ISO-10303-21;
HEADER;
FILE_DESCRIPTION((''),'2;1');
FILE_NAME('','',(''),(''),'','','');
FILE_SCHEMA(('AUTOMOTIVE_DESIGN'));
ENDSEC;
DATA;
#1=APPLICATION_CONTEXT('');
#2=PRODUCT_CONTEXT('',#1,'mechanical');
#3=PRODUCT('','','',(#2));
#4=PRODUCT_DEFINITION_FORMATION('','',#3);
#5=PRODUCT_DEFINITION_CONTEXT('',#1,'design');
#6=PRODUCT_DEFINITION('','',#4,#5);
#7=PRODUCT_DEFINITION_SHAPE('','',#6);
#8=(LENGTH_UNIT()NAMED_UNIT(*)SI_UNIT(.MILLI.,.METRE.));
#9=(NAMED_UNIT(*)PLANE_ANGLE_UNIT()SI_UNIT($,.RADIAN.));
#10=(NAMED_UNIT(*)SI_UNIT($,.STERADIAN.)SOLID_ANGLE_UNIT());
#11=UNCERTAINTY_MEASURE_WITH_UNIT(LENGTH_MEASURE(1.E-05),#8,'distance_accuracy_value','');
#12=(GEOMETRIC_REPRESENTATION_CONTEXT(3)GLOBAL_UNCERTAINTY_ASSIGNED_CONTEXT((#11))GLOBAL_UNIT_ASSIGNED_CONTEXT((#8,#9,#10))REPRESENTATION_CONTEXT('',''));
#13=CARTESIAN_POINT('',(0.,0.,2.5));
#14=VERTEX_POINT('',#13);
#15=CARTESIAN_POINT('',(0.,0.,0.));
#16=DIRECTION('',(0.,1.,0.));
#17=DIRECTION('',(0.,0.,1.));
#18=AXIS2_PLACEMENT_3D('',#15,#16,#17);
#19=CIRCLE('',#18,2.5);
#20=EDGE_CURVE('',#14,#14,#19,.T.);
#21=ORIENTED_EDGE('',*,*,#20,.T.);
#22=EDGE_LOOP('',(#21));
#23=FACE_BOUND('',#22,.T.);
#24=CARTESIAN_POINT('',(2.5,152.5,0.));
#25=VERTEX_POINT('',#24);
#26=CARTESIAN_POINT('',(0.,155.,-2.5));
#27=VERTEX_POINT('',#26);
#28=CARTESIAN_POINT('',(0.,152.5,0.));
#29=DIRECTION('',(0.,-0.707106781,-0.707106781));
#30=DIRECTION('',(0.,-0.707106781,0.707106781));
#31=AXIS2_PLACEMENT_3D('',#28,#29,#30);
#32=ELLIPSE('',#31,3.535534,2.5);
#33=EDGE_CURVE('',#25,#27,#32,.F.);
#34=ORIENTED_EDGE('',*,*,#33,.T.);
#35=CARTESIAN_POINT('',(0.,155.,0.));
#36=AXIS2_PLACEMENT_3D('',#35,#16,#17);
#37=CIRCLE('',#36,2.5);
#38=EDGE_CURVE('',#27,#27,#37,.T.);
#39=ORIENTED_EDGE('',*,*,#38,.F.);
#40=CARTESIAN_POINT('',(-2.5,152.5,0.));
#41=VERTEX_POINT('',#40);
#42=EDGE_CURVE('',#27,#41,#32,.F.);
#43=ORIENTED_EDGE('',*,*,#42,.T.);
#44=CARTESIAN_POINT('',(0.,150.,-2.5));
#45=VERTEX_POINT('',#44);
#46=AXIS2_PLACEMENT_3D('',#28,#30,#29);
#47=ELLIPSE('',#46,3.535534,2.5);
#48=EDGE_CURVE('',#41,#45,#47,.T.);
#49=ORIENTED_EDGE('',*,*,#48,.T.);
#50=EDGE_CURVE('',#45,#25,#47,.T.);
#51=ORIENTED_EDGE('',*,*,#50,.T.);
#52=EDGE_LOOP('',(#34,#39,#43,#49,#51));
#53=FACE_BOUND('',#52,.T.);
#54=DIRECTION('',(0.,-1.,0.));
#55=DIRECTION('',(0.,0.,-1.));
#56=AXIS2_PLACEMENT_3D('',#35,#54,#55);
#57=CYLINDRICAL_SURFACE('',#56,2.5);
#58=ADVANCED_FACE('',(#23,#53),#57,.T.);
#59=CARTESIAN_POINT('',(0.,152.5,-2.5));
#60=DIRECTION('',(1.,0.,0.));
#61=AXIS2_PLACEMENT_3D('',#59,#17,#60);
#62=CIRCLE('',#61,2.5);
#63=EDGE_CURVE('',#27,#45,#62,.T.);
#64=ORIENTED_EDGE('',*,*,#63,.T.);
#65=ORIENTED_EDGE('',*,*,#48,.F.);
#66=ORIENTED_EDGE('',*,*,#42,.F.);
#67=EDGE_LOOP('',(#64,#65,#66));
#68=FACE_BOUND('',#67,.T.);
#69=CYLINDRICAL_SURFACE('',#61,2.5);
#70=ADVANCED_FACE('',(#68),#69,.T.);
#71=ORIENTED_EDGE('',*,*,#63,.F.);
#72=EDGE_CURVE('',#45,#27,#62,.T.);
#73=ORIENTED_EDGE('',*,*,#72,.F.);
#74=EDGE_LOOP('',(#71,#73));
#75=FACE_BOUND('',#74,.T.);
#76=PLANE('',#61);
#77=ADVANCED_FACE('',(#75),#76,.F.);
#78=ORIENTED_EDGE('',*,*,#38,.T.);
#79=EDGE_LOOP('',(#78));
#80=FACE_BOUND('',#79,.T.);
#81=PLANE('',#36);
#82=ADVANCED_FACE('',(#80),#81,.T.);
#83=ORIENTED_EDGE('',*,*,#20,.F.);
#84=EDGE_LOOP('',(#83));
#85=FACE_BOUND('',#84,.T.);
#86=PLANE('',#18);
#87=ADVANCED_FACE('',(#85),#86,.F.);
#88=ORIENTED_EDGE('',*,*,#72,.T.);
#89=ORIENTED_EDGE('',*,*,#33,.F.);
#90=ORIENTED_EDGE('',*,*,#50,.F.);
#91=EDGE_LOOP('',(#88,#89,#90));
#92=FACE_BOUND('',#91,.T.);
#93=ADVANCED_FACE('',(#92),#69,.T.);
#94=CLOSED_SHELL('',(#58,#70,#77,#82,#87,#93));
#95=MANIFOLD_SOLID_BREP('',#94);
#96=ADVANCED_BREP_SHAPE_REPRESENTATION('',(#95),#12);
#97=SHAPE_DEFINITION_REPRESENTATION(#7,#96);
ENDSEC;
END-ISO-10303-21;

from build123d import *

# Parameters (mm, degrees)
SKETCH_1_R      = 2.5
EXTRUDE_1_DEPTH = 155
SKETCH_2_R      = 2.5
EXTRUDE_2_DEPTH = 2.5


with BuildPart() as part:
    # 스케치1 → 보스-돌출1 (new body)
    with BuildSketch(Plane(origin=(0, 0, 0), x_dir=(1, 0, 0), z_dir=(0, 1, 0))):
        with Locations(Location((0, 0, 0), (0, 0, 270))):
            Circle(SKETCH_1_R)
    extrude(amount=EXTRUDE_1_DEPTH)

    # 스케치2 → 보스-돌출2 (add)
    with BuildSketch(Plane.XY):
        with Locations((0, 152.5)):
            Circle(SKETCH_2_R)
    extrude(amount=-EXTRUDE_2_DEPTH)


solid = part.part
